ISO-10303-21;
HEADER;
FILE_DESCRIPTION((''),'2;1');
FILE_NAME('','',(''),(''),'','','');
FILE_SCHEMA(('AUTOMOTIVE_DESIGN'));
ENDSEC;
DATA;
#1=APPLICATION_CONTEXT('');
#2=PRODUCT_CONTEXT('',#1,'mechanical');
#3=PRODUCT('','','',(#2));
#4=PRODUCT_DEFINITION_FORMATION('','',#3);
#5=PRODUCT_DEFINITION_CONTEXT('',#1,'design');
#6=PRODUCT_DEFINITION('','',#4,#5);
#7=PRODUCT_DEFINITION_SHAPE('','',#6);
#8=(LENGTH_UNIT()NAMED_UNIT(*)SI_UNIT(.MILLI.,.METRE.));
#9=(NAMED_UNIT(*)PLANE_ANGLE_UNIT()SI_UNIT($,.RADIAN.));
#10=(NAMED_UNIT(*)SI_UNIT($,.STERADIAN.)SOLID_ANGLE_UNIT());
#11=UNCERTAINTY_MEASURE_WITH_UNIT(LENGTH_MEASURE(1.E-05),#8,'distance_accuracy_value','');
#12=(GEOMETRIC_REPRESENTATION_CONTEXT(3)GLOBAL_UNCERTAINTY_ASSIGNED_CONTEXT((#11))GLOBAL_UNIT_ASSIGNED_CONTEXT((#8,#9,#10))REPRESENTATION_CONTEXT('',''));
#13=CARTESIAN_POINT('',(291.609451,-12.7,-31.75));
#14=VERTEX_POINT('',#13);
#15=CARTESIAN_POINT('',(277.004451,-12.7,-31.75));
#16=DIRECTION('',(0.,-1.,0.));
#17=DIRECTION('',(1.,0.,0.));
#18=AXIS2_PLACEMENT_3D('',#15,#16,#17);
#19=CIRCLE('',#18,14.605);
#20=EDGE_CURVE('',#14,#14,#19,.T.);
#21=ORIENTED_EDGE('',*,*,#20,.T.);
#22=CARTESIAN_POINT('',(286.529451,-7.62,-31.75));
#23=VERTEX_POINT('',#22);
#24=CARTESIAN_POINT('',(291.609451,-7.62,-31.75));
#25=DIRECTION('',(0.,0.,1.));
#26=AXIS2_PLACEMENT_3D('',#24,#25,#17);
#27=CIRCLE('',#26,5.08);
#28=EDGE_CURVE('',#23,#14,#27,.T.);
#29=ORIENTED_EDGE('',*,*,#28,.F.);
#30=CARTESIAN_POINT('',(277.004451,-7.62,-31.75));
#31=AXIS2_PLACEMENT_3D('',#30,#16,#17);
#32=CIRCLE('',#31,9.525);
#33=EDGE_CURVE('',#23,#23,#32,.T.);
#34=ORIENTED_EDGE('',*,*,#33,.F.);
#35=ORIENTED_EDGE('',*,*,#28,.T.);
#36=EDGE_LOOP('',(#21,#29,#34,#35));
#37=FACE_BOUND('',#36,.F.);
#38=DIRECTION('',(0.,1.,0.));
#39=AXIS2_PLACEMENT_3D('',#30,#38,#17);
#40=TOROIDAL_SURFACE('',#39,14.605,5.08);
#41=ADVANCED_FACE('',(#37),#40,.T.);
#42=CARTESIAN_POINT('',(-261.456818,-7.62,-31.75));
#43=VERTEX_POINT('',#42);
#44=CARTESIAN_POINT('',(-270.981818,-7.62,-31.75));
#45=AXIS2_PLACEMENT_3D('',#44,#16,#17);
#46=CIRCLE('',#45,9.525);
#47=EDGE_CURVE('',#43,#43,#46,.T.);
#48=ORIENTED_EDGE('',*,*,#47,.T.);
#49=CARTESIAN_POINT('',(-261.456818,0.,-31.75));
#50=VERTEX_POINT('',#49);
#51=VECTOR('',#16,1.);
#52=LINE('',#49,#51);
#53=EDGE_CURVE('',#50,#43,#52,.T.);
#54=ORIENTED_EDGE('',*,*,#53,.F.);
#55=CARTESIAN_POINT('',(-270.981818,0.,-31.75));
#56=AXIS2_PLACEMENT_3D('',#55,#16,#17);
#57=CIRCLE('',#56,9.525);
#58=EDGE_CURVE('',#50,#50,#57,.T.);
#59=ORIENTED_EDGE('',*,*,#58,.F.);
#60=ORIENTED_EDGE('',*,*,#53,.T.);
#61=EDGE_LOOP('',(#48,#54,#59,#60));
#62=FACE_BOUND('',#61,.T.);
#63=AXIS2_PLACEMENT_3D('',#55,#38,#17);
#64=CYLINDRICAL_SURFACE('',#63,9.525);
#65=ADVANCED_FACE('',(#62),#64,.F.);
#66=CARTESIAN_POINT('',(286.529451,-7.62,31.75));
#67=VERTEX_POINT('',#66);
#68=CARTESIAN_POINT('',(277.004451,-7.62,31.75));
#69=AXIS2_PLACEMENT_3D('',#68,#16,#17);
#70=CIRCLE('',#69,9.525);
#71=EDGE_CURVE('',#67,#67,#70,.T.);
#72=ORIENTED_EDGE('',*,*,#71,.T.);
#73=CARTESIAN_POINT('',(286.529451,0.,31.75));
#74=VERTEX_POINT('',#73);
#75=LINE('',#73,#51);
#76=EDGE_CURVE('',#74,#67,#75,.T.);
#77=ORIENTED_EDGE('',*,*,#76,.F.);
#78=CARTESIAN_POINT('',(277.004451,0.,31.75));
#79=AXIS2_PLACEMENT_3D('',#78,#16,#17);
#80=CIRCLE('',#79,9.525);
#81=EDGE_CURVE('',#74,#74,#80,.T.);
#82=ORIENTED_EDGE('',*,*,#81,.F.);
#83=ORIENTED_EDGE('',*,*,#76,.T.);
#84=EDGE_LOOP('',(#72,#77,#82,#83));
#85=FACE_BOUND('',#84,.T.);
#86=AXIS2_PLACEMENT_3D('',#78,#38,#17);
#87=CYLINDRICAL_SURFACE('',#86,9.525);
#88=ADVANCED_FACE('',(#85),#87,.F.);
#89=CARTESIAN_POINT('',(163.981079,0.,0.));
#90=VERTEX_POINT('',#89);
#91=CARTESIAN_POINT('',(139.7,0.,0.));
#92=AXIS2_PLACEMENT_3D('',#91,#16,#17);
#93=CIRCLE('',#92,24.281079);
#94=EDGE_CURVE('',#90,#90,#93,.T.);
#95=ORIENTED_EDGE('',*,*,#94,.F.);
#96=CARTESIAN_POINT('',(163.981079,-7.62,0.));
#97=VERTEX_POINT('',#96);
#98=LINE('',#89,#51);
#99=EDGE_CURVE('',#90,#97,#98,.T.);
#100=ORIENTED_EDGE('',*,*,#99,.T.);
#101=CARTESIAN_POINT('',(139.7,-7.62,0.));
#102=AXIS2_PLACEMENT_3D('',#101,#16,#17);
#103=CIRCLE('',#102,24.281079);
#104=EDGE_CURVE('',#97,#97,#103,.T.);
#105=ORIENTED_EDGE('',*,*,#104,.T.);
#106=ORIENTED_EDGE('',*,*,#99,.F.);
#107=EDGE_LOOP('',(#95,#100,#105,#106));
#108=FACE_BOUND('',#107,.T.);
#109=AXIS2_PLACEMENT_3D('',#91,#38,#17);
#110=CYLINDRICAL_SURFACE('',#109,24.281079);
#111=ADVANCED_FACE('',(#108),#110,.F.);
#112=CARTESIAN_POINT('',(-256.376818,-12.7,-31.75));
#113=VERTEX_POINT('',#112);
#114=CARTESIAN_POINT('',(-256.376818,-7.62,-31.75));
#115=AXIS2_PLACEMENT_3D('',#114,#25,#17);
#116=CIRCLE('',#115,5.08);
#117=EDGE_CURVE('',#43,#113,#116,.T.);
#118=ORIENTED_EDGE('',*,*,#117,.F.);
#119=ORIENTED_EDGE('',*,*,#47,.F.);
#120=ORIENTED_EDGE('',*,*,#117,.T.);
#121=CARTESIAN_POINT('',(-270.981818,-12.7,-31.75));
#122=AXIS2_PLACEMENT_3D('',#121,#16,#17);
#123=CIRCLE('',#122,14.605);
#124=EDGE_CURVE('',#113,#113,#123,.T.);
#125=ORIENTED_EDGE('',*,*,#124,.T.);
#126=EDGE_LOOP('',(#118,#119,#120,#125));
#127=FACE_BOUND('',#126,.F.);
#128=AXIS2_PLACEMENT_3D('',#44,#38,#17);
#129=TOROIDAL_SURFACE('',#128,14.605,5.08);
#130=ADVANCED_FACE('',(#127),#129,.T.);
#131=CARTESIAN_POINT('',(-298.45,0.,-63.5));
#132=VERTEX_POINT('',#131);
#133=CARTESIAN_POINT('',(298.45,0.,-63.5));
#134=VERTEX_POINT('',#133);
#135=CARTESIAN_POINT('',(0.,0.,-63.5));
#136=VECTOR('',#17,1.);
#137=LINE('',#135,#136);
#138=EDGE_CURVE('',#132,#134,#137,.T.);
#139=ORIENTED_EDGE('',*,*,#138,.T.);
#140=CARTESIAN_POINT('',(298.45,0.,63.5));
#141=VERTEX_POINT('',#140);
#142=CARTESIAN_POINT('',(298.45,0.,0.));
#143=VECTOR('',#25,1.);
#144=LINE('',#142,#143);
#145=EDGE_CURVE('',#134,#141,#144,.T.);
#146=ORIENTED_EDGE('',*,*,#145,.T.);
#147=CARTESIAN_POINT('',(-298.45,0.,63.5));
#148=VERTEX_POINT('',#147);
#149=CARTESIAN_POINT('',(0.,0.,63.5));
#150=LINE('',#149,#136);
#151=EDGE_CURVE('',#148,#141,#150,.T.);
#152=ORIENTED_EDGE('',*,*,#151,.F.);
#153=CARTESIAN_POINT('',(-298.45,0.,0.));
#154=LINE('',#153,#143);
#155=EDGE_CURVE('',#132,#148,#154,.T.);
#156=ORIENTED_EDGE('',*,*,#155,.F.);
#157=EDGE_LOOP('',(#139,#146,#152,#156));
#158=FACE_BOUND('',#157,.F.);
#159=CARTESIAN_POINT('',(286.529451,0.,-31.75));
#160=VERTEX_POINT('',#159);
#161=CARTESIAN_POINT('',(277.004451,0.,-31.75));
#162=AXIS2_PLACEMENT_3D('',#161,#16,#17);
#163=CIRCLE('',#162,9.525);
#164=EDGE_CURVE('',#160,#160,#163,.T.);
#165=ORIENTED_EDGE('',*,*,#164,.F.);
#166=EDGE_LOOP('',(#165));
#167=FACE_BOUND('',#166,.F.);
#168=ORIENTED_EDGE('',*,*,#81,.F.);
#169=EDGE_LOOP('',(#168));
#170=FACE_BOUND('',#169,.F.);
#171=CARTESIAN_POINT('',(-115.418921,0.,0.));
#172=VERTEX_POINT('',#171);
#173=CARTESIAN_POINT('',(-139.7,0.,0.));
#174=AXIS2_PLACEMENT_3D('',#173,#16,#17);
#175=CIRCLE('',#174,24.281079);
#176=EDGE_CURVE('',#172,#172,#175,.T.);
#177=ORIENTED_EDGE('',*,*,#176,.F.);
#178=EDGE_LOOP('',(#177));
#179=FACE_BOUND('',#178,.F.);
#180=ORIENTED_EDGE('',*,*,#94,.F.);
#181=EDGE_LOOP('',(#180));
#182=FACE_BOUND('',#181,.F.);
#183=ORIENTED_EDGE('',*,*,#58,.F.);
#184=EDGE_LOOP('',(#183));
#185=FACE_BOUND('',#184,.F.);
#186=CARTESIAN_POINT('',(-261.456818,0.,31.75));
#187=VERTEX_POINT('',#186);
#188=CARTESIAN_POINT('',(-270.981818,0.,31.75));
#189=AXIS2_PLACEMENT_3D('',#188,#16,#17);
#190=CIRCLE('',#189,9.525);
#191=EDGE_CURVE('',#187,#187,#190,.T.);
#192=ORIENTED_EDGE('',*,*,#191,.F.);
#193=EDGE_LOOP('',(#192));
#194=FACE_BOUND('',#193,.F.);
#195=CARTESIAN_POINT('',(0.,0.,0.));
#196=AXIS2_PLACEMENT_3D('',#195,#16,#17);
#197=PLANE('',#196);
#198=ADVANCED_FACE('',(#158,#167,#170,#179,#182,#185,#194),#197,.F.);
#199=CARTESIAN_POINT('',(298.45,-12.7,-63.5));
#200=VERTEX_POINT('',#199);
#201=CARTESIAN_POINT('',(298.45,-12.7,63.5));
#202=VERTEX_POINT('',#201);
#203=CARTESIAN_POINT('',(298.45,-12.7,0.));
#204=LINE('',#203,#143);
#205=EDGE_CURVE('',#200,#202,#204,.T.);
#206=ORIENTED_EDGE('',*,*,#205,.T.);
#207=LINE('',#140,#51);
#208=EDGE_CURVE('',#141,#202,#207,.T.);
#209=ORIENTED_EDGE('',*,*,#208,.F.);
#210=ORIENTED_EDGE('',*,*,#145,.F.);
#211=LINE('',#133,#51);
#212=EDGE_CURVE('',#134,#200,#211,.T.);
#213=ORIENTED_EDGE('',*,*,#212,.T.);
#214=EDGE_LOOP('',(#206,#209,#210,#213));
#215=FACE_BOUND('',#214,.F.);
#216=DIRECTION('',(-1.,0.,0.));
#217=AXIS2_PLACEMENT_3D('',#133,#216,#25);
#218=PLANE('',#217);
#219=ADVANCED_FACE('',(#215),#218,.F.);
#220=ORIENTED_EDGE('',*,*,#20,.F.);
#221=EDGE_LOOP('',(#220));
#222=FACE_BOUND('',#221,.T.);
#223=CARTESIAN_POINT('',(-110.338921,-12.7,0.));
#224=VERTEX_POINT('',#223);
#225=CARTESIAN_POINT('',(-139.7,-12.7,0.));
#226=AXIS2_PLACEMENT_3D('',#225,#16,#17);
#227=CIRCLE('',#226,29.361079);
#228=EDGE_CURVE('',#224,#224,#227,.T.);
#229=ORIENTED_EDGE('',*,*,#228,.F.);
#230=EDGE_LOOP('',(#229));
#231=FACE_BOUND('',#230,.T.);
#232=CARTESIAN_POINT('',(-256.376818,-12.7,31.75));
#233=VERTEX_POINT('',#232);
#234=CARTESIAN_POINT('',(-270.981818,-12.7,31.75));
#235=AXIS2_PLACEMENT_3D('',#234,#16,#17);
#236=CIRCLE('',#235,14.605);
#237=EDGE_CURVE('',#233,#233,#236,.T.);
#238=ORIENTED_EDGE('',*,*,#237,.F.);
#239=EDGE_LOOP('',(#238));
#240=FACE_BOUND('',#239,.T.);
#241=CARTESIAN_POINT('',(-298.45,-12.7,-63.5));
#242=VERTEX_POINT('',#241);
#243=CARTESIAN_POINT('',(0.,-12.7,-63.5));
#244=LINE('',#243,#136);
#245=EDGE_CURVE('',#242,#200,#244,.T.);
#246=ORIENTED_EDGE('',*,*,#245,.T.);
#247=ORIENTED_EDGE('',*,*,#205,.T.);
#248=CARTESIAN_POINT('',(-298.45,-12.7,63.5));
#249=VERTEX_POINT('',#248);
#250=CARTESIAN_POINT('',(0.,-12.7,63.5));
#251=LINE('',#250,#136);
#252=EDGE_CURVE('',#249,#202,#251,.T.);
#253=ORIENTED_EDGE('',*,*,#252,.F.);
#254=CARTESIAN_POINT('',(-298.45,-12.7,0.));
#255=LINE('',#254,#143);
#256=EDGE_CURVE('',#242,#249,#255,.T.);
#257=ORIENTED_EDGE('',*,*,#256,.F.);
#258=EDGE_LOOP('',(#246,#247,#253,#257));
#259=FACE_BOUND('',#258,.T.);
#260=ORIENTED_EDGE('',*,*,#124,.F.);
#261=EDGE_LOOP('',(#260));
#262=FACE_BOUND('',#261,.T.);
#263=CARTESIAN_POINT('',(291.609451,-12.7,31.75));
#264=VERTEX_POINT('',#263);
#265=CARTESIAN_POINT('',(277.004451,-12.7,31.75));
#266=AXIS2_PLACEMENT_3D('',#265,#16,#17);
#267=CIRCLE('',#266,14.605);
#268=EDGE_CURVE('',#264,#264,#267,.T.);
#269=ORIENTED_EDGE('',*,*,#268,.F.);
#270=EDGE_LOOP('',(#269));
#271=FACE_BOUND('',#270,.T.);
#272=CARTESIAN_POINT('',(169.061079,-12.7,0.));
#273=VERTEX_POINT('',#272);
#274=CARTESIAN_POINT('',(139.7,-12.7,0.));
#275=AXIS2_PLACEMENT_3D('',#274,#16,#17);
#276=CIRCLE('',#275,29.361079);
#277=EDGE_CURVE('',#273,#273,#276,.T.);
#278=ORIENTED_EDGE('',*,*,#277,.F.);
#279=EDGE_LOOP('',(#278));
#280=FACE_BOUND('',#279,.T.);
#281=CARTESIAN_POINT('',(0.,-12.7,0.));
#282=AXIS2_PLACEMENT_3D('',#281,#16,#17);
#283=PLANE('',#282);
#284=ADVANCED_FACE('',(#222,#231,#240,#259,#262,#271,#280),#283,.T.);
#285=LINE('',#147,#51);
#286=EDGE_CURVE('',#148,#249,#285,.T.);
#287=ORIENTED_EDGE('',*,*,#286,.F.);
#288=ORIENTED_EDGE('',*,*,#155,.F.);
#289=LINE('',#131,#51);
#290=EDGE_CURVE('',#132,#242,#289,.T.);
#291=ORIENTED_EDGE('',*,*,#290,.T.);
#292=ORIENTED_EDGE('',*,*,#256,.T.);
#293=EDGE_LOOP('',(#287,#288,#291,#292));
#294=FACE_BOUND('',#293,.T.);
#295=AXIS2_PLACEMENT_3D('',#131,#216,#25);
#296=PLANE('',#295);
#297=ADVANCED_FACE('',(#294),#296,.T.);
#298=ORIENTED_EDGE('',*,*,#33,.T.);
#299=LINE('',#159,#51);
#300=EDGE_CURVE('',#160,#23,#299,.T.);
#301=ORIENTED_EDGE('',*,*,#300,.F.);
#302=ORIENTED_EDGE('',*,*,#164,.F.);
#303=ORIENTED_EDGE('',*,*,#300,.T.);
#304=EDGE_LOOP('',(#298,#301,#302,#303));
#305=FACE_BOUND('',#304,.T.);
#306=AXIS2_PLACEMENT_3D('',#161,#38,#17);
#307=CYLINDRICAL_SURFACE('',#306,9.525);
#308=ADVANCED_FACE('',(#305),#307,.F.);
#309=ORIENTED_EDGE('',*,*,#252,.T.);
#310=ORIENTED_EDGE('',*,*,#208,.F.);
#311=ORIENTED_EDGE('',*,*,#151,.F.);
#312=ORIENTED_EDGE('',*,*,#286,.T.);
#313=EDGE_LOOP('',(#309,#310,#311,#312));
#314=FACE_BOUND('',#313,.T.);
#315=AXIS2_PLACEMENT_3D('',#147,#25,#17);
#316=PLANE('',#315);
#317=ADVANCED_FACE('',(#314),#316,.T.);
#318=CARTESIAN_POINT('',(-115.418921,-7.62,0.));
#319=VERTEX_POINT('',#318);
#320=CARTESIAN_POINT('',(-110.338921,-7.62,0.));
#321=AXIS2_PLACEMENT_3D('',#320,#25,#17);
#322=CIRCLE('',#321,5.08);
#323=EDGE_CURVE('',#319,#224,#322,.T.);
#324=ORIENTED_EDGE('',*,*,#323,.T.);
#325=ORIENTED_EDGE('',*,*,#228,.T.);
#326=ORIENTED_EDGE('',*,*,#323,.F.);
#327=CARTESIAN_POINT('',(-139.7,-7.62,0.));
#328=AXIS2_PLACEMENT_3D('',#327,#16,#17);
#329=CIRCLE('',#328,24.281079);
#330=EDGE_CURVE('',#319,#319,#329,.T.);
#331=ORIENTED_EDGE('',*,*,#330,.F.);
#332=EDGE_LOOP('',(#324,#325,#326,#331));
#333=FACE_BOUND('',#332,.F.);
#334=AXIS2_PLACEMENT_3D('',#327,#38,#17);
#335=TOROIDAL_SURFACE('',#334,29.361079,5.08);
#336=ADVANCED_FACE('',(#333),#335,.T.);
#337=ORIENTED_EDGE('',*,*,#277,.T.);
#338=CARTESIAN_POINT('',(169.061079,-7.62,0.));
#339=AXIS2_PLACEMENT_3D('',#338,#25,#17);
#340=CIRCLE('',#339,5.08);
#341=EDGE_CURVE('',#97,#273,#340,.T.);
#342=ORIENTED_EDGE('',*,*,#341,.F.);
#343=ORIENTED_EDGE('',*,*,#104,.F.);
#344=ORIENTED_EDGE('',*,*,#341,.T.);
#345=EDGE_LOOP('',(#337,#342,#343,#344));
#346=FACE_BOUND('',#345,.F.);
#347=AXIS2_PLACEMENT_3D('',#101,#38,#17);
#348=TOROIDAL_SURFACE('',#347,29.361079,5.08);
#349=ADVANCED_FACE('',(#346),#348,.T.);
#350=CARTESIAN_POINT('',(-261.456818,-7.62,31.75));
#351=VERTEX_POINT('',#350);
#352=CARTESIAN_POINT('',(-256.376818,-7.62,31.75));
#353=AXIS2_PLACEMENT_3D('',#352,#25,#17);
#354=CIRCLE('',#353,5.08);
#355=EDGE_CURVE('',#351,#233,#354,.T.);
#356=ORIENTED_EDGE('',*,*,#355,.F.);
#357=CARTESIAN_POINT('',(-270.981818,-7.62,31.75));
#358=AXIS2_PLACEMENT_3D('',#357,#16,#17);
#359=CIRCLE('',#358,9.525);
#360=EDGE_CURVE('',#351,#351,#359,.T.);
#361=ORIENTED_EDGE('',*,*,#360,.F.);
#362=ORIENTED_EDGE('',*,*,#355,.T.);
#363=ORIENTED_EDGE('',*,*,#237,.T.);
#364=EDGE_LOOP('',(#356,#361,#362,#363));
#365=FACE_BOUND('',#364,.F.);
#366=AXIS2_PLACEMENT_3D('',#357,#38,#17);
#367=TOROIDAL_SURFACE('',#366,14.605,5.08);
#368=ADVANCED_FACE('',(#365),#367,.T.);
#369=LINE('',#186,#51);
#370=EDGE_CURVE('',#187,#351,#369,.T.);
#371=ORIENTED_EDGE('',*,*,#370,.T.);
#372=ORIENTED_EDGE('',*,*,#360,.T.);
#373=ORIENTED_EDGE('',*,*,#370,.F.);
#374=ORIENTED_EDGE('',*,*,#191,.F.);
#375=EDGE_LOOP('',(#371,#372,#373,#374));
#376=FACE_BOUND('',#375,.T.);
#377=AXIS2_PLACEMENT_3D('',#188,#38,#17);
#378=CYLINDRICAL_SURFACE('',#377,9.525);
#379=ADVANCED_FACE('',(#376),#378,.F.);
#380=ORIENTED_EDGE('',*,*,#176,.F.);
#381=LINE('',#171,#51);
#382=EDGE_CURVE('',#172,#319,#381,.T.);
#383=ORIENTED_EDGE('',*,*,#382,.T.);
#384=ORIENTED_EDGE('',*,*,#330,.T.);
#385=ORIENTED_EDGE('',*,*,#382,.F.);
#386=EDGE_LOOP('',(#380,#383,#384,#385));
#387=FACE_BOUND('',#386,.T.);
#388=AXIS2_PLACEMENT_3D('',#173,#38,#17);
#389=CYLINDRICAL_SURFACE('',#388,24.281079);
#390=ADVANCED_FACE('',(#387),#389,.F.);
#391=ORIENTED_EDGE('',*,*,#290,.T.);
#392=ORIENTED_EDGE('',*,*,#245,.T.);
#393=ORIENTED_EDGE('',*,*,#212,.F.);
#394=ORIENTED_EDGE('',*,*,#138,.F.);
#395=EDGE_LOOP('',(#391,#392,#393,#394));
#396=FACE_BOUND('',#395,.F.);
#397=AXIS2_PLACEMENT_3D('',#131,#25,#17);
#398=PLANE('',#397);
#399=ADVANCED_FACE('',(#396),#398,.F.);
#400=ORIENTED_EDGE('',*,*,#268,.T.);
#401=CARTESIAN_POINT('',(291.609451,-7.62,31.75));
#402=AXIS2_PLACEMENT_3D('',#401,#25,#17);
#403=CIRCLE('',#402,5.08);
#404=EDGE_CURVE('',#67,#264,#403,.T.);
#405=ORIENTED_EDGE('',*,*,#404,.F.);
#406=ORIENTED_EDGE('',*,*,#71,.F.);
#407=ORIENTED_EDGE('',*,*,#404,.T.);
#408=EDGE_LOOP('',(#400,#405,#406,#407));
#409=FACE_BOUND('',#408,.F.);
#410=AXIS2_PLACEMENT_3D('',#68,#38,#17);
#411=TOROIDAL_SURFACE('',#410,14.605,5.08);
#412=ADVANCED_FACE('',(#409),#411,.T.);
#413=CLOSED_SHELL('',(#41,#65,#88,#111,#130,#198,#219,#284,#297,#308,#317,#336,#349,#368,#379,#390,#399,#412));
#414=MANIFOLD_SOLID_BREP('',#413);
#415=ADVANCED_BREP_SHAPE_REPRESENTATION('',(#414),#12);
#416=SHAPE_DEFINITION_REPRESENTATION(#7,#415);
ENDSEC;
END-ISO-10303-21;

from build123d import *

# Parameters (mm, degrees)
F0_W     = 596.9
F0_H     = 127
F0_R     = 9.525
F0_R_2   = 24.281079
F1_DEPTH = 12.7
F2_R     = 5.08


with BuildPart() as f1:
    # F0 (on Front) → F1 (new body)
    with BuildSketch(Plane.XZ):
        Rectangle(F0_W, F0_H)
        with Locations((-270.981818, -31.75)):
            Circle(F0_R, mode=Mode.SUBTRACT)
        with Locations((277.004451, -31.75)):
            Circle(F0_R, mode=Mode.SUBTRACT)
        with Locations((-139.7, 0)):
            Circle(F0_R_2, mode=Mode.SUBTRACT)
        with Locations((-270.981818, 31.75)):
            Circle(F0_R, mode=Mode.SUBTRACT)
        with Locations((139.7, 0)):
            Circle(F0_R_2, mode=Mode.SUBTRACT)
        with Locations((277.004451, 31.75)):
            Circle(F0_R, mode=Mode.SUBTRACT)
    extrude(amount=F1_DEPTH)

    # F2
    f2_edges = [f1.edges().sort_by_distance(p)[0] for p in [
        (-163.981079, -12.7, 0),
        (-280.506818, -12.7, 31.75),
        (-280.506818, -12.7, -31.75),
        (115.418921, -12.7, 0),
        (267.479451, -12.7, -31.75),
        (267.479451, -12.7, 31.75),
    ]]
    fillet(f2_edges, radius=F2_R)


solid = f1.part
